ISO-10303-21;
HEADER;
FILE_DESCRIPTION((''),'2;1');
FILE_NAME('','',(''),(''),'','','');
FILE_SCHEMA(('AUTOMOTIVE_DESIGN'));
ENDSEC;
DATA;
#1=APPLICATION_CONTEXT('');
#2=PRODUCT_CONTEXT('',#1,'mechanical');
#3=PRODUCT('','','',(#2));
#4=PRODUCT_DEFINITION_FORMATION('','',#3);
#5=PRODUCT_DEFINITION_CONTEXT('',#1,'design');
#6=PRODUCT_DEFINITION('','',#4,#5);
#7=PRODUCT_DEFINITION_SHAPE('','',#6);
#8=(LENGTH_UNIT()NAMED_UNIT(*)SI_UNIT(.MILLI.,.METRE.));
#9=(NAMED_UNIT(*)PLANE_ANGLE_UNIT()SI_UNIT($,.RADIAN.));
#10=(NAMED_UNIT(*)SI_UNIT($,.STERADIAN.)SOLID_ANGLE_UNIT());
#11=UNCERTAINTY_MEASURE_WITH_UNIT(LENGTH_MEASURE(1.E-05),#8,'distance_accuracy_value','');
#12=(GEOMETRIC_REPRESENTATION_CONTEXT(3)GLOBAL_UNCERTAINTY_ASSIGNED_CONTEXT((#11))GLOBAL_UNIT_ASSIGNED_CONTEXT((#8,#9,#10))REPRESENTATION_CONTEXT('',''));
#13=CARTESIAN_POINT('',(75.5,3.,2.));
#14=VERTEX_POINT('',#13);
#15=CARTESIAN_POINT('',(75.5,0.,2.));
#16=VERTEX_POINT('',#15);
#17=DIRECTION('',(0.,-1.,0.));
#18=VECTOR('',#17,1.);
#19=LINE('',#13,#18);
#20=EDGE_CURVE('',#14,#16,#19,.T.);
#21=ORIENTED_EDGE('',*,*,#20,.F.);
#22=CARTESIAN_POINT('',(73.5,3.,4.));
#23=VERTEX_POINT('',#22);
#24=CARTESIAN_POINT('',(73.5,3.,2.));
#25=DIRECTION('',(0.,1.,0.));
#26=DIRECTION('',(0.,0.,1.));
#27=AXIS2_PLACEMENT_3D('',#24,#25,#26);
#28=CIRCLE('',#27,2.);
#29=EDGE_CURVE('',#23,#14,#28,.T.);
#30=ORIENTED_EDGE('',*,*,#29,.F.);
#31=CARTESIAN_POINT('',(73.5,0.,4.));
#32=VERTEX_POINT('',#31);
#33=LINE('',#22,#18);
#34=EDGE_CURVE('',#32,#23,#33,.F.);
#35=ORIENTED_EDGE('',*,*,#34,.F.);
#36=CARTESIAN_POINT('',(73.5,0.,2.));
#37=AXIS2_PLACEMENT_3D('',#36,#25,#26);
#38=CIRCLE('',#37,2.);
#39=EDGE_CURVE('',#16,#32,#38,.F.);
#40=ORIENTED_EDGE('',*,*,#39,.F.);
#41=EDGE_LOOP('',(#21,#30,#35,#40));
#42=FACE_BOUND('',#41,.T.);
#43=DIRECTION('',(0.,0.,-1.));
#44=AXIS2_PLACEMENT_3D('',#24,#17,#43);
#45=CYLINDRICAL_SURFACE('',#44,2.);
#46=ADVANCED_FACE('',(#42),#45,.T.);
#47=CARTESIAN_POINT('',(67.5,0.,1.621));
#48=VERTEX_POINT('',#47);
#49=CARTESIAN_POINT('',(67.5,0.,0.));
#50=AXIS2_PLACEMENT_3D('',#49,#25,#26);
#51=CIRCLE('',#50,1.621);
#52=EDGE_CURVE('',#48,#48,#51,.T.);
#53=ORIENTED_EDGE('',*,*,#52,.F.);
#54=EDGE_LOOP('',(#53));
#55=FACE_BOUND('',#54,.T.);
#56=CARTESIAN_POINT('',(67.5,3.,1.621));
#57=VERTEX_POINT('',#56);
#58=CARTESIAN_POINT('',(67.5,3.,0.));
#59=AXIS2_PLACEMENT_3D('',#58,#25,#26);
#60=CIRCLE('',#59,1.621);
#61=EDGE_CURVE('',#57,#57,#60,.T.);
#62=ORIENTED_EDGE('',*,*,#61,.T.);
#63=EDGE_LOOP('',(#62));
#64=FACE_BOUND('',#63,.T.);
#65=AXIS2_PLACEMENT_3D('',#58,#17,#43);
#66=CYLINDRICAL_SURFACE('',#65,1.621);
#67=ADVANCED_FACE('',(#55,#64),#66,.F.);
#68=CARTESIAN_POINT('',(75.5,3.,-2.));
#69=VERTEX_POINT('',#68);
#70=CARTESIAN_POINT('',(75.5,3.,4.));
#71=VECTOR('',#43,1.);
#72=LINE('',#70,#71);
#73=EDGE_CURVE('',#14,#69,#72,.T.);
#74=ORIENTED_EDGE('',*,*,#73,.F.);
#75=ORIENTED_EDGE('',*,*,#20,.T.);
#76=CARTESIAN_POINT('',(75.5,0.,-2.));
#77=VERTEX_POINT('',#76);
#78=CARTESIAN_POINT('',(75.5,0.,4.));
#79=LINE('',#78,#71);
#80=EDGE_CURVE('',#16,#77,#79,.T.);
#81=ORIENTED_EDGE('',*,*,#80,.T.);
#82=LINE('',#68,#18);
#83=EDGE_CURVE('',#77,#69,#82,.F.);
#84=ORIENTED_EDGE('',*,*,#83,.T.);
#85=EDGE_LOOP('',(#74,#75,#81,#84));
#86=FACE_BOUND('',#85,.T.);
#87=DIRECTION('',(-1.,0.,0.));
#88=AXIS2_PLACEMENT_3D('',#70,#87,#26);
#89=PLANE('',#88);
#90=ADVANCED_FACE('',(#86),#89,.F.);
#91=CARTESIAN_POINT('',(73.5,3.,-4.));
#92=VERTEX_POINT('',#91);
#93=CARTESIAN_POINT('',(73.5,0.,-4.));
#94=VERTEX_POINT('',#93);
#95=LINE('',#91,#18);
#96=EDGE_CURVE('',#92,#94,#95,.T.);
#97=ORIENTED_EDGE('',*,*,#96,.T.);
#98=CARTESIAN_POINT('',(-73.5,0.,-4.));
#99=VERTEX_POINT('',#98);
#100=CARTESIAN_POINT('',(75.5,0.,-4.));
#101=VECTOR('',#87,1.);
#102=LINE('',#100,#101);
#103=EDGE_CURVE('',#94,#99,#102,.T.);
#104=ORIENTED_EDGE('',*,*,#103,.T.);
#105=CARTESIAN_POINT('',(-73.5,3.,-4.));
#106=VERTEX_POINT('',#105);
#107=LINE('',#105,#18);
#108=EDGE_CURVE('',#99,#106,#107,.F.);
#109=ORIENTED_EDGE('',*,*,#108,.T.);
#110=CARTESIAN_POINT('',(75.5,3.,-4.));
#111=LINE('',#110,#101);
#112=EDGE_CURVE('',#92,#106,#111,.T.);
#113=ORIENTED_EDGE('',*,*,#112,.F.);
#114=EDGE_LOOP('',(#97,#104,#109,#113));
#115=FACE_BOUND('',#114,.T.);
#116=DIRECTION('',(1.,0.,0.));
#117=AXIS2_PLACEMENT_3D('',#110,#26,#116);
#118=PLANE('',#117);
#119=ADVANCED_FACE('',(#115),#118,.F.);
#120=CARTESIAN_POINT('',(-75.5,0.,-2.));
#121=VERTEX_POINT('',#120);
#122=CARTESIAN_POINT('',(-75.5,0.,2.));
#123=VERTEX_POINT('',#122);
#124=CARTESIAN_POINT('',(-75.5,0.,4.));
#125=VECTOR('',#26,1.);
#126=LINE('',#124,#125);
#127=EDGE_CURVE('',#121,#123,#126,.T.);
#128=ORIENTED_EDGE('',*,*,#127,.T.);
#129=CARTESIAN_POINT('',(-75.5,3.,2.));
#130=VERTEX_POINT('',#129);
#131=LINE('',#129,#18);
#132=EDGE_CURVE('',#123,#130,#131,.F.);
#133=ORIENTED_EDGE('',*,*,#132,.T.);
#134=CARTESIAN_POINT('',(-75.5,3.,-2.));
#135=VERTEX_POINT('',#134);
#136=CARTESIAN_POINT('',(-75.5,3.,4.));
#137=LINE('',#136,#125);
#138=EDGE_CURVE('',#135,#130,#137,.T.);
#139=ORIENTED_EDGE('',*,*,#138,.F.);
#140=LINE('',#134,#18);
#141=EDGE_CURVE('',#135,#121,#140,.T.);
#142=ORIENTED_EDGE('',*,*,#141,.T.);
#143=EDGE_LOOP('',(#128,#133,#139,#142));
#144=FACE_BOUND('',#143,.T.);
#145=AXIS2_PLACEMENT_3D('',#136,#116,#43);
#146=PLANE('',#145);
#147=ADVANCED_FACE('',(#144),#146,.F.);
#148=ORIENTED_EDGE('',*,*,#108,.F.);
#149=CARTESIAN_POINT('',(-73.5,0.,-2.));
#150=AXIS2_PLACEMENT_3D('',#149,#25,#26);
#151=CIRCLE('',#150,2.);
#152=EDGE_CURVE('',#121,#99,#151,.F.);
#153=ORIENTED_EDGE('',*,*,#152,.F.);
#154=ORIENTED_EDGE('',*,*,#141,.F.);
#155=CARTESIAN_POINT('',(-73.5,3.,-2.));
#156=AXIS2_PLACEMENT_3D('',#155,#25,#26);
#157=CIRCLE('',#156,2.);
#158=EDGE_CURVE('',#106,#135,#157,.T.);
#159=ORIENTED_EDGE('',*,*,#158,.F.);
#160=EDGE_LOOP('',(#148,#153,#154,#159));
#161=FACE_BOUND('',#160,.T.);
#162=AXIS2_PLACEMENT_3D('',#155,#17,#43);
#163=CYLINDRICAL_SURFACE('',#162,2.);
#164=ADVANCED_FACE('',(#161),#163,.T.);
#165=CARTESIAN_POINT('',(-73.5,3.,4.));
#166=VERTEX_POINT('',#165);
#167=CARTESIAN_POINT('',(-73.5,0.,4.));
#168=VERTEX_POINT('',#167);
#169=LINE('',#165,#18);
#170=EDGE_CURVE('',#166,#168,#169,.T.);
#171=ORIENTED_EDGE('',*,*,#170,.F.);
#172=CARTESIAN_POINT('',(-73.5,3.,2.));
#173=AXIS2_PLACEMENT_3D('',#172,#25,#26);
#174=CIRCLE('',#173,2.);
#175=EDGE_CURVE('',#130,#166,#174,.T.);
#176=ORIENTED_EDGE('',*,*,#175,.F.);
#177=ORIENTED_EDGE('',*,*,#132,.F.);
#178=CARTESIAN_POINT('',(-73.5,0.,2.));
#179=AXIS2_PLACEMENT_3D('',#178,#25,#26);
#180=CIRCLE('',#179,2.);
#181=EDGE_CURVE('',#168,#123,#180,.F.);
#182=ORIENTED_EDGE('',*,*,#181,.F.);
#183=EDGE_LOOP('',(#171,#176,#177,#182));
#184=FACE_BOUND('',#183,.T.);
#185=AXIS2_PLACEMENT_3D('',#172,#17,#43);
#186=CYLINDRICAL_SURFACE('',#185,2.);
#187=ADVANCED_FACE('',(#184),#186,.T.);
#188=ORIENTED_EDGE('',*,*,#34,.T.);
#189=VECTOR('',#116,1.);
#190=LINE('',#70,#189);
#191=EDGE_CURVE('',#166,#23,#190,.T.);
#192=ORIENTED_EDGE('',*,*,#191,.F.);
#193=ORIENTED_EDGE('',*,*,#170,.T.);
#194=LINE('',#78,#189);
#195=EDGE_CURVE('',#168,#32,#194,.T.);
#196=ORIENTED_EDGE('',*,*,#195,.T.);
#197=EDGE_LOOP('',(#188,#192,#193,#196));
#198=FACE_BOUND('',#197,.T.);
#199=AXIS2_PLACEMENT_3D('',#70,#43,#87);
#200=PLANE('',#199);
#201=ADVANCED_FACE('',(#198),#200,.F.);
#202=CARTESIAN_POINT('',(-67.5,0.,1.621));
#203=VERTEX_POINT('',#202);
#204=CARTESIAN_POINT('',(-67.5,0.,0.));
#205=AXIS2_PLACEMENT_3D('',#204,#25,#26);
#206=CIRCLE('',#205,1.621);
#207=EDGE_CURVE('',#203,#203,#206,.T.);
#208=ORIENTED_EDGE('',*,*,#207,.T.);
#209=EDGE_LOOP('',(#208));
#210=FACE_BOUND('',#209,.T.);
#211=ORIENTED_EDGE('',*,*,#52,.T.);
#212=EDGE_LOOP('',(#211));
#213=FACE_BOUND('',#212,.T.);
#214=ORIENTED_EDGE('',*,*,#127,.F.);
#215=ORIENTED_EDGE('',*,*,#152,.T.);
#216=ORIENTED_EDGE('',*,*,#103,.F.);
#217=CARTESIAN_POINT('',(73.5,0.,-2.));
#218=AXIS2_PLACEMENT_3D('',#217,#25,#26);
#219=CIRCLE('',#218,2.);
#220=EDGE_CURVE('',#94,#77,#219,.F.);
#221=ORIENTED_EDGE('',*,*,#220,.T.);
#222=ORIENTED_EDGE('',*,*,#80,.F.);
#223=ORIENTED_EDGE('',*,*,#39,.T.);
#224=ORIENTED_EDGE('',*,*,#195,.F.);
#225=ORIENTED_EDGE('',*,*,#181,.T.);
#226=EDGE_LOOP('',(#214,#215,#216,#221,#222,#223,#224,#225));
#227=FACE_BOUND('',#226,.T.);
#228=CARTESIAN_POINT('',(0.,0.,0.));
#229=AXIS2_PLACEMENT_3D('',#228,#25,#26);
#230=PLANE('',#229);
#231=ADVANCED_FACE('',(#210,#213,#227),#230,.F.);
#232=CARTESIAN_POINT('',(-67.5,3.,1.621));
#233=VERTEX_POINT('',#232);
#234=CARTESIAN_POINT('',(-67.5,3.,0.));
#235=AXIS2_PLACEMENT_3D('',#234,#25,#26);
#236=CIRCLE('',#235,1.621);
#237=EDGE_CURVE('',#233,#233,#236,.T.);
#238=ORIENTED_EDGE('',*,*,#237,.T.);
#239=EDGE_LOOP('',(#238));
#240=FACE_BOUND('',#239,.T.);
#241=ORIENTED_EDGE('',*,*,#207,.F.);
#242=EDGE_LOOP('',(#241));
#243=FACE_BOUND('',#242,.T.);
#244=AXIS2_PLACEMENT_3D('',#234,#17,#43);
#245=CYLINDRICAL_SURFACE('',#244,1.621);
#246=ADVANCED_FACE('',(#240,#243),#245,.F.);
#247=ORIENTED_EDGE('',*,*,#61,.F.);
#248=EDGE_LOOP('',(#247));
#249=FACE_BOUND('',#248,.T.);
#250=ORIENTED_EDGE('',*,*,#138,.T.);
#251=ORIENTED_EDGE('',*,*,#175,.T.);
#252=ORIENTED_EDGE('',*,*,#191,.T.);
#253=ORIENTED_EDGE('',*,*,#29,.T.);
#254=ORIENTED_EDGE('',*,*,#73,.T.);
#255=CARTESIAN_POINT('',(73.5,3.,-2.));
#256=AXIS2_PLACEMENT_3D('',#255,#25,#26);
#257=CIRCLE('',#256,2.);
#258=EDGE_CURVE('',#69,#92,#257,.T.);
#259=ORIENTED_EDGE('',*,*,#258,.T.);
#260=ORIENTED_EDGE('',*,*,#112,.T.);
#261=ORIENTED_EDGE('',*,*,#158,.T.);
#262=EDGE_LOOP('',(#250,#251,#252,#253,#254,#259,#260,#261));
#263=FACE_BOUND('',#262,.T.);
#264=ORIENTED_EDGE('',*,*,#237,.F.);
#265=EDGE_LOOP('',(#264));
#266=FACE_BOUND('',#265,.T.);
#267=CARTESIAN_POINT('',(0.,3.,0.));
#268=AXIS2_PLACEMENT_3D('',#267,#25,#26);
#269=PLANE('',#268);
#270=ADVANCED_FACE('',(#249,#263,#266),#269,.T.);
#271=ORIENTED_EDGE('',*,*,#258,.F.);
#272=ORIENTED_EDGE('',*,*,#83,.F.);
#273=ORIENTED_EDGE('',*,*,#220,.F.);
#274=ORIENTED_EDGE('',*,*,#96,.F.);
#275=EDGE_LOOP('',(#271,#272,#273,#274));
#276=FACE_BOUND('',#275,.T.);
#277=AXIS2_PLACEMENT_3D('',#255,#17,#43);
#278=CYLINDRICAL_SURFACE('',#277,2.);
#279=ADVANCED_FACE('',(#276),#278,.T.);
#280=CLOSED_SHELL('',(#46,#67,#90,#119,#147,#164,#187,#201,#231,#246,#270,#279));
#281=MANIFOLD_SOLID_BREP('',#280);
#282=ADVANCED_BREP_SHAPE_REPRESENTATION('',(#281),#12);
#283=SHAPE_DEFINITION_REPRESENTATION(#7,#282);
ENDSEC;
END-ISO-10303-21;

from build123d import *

# Parameters (mm, degrees)
SKETCH1_W           = 151
SKETCH1_H           = 8
SKETCH1_R           = 1.621
BOSS_EXTRUDE1_DEPTH = 3
FILLET1_R           = 2


with BuildPart() as part:
    # Sketch1 → Boss-Extrude1 (new body)
    with BuildSketch(Plane(origin=(0, 0, 0), x_dir=(1, 0, 0), z_dir=(0, 1, 0))):
        Rectangle(SKETCH1_W, SKETCH1_H)
        with Locations(Location((-67.5, 0, 0), (0, 0, 270))):
            Circle(SKETCH1_R, mode=Mode.SUBTRACT)
        with Locations(Location((67.5, 0, 0), (0, 0, 270))):
            Circle(SKETCH1_R, mode=Mode.SUBTRACT)
    extrude(amount=BOSS_EXTRUDE1_DEPTH)

    # Fillet1
    fillet1_edges = [part.edges().sort_by_distance(p)[0] for p in [
        (-75.5, 1.5, -4),
        (75.5, 1.5, -4),
        (75.5, 1.5, 4),
        (-75.5, 1.5, 4),
    ]]
    fillet(fillet1_edges, radius=FILLET1_R)


solid = part.part
